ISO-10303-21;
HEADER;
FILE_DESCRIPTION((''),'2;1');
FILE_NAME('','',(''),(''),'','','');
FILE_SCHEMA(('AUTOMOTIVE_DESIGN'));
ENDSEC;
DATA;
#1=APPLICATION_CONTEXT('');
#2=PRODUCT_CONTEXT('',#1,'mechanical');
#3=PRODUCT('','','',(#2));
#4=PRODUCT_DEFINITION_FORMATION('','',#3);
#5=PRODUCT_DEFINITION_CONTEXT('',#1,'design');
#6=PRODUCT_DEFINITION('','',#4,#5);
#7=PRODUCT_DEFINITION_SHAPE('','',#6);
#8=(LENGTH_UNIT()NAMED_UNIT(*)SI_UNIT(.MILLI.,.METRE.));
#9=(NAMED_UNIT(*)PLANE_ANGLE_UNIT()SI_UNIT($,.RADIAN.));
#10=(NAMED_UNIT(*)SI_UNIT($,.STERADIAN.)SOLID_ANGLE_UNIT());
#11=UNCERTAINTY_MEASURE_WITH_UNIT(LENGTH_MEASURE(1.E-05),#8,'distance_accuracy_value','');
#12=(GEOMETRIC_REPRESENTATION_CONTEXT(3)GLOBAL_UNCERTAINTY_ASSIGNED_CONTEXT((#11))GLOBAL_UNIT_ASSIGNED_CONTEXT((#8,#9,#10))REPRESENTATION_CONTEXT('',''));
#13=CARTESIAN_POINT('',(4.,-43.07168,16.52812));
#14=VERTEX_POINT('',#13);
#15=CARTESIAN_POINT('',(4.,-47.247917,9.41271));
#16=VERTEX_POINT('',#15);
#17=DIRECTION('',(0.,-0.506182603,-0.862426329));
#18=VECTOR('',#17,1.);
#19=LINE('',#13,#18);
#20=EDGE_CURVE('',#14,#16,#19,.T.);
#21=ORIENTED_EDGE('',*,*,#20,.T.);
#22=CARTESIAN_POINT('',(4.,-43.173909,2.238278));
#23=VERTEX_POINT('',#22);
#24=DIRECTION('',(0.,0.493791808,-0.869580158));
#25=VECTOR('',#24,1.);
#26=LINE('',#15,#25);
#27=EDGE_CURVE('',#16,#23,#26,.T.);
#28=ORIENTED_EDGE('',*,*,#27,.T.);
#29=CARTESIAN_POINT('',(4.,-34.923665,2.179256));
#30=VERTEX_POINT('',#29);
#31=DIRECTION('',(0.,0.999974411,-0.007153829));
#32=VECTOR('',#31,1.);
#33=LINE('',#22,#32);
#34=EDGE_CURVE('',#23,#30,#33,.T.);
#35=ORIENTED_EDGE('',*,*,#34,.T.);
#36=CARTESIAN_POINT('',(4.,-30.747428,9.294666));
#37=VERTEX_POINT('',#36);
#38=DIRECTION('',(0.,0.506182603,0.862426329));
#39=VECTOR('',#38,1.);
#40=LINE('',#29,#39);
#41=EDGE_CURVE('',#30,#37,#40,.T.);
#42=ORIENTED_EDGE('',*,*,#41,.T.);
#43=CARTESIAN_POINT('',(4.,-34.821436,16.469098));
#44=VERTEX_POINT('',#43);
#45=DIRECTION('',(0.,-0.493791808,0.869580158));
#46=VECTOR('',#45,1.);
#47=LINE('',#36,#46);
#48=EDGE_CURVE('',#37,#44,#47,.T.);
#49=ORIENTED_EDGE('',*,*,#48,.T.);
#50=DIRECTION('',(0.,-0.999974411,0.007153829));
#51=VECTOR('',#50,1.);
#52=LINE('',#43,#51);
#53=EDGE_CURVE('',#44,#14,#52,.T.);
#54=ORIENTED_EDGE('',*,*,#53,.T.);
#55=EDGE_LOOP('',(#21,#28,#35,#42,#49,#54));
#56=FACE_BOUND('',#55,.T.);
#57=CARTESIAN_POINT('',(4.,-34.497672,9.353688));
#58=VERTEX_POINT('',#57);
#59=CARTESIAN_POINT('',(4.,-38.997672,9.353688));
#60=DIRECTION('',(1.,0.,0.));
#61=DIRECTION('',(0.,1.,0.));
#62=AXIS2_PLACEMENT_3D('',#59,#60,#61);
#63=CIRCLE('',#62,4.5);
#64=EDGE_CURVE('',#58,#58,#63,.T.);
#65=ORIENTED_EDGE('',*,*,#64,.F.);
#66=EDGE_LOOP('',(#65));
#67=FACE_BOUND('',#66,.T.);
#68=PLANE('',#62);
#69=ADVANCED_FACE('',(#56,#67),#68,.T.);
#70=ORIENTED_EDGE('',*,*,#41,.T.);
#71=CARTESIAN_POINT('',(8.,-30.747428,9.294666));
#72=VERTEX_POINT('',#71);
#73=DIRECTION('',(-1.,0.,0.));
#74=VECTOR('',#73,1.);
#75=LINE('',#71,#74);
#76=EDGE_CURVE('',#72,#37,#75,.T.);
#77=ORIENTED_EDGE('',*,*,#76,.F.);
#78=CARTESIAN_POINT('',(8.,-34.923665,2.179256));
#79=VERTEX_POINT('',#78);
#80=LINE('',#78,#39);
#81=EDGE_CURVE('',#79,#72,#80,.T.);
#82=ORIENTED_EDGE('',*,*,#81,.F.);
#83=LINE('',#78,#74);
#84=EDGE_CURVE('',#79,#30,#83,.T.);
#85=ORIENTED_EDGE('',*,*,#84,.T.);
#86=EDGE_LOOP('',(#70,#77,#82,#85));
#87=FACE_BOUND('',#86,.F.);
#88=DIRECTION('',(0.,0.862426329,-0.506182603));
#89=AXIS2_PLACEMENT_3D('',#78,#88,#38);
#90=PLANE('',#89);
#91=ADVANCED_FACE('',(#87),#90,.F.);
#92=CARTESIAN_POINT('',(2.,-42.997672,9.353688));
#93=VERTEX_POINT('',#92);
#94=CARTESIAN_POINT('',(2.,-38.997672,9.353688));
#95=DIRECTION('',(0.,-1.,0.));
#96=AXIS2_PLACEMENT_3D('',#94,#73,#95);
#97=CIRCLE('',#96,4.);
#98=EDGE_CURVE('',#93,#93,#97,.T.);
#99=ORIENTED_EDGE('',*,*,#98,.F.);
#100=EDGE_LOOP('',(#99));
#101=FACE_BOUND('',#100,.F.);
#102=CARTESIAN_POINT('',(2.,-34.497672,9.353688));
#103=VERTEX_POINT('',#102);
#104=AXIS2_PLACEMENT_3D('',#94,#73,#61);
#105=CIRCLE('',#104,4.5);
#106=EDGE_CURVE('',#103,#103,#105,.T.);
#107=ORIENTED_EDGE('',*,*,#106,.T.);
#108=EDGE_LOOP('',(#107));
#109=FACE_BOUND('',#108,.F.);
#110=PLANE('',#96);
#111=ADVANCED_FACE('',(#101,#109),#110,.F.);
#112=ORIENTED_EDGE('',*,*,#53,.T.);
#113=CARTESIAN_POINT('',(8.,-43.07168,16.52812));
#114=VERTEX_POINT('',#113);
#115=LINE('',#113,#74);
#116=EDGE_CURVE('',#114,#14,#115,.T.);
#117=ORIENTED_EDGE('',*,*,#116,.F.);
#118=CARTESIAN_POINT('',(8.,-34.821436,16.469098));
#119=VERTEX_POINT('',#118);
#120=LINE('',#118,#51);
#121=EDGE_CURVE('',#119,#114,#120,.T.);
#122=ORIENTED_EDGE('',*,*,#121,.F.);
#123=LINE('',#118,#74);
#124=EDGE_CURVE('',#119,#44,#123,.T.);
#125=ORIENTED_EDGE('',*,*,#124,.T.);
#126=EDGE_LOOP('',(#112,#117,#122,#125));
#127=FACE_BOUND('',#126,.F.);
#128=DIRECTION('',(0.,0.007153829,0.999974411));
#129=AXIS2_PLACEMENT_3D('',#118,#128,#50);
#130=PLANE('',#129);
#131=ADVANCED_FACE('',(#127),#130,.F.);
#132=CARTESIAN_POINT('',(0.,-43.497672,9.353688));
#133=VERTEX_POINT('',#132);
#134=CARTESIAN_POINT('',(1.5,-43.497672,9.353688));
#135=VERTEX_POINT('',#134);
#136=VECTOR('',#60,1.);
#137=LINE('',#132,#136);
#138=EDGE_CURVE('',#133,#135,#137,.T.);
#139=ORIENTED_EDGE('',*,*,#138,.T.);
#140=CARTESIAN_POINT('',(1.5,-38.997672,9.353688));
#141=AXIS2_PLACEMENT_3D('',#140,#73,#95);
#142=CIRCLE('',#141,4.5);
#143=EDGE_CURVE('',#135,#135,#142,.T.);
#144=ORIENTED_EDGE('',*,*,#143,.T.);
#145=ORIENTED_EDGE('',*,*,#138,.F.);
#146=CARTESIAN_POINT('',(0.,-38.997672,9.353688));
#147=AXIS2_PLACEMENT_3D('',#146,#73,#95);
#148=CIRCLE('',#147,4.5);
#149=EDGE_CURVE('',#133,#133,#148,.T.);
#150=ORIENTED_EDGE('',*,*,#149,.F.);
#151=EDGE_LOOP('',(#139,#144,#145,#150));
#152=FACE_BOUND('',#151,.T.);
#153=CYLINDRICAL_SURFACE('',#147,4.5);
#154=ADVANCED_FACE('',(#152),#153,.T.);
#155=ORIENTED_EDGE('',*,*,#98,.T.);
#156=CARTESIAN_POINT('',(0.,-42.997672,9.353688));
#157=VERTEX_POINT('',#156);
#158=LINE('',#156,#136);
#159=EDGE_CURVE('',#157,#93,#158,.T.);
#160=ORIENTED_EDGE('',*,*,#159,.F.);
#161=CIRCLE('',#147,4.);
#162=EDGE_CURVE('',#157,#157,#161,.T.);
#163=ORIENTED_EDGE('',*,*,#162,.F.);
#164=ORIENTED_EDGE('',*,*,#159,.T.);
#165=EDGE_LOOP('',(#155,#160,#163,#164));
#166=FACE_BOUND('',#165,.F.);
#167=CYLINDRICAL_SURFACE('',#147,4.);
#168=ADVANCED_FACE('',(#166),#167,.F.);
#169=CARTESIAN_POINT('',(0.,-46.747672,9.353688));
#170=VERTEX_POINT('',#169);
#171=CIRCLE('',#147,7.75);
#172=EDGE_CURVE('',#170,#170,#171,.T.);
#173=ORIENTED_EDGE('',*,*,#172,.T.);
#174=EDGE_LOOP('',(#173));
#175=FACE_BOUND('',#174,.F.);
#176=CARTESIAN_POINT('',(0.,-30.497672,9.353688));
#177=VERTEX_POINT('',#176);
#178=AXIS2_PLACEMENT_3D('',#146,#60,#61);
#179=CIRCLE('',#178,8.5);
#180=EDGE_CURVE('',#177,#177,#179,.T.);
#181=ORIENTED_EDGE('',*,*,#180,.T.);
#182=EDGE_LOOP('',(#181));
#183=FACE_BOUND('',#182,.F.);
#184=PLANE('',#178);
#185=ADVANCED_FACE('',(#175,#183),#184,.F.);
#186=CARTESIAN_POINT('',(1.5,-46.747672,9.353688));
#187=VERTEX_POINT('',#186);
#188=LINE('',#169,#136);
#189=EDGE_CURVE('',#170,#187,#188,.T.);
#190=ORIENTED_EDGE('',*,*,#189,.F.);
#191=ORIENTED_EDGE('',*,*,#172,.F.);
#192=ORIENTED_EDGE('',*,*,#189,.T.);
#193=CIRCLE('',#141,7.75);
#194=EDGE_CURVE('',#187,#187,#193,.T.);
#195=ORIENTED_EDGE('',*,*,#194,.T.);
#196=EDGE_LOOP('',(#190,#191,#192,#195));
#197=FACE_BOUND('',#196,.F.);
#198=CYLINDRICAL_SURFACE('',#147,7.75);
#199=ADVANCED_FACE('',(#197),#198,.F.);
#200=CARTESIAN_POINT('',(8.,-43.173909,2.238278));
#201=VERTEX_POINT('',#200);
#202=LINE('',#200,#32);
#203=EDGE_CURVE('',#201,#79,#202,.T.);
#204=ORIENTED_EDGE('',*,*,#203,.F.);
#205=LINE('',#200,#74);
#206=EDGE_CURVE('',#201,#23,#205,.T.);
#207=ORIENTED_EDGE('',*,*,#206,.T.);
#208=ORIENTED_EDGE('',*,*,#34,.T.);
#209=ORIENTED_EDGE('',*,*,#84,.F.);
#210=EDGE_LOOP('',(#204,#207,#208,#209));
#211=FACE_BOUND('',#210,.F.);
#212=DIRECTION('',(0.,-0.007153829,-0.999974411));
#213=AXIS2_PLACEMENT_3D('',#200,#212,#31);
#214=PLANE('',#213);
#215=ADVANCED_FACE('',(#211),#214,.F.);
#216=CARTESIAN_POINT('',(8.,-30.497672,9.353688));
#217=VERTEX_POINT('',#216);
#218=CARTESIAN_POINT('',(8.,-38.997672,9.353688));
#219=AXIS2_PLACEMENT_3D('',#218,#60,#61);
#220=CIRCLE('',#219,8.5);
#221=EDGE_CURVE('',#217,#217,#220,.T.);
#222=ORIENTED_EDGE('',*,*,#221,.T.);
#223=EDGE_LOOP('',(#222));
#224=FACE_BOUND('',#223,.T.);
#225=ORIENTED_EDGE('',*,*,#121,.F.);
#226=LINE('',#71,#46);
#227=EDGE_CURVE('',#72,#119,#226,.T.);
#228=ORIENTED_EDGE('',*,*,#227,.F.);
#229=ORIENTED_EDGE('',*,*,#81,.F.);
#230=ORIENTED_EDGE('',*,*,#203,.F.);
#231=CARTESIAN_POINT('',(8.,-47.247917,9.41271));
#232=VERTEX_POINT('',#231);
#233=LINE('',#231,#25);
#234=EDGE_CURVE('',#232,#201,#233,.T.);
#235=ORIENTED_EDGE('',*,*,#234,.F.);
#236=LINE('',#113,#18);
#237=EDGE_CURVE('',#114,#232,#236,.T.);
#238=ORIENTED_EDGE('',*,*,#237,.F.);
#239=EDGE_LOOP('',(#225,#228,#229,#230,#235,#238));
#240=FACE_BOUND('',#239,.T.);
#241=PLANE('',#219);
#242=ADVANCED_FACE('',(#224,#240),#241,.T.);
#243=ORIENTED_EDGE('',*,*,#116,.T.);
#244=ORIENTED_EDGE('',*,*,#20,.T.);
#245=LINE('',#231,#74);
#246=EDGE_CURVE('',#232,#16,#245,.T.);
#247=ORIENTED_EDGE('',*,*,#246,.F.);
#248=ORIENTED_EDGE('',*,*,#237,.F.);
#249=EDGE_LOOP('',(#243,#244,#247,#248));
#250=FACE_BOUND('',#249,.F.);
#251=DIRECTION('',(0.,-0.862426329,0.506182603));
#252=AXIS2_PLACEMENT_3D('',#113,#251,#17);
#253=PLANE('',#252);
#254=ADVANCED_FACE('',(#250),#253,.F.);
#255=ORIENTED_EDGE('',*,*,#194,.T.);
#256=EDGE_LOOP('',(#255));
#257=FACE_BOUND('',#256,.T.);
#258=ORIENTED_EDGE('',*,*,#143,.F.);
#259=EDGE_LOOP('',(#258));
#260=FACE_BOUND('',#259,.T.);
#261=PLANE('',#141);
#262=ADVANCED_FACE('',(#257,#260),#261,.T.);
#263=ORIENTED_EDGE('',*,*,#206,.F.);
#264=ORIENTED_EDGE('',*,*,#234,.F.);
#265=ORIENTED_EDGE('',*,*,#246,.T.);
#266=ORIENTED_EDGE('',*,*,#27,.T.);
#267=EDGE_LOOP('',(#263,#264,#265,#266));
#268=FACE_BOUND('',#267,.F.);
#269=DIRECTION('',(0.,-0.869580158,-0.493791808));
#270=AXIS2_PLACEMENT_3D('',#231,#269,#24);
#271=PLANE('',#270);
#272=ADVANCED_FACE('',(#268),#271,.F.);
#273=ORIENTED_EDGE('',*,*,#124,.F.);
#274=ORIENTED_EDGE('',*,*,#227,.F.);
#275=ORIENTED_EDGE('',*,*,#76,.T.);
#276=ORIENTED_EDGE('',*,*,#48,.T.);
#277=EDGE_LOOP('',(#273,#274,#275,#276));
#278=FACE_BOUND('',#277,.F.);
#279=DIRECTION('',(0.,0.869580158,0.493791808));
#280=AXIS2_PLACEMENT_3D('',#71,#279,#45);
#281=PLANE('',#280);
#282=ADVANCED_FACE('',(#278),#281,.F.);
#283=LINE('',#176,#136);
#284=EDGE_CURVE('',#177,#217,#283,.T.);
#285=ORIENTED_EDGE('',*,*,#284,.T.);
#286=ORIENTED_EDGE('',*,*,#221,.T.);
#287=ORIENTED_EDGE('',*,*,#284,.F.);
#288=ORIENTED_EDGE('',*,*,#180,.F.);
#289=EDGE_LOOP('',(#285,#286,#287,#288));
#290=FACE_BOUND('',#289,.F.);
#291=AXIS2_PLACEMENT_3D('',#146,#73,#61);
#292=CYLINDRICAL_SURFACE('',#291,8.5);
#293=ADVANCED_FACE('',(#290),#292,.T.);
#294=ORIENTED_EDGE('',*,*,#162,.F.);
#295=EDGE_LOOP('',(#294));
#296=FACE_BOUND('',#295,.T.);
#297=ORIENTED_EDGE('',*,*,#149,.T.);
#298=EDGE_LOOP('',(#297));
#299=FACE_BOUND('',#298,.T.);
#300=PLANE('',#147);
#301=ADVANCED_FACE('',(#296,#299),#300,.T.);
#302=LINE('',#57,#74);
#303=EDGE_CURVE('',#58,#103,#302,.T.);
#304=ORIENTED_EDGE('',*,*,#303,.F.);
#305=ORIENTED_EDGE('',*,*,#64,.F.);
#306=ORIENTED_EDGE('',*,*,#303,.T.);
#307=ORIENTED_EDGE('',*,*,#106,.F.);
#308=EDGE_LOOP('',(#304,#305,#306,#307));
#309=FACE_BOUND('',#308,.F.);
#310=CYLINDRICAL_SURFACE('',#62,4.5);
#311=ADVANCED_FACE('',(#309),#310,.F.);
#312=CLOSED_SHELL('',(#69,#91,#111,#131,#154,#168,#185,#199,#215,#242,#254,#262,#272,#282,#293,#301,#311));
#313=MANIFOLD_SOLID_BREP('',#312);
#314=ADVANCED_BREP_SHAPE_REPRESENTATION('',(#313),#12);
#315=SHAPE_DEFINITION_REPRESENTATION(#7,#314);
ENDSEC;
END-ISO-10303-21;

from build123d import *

# Parameters (mm, degrees)
F0_R      = 8.5
F1_DEPTH  = 8
F3_DEPTH  = 4
F4_R      = 7.75
F5_DEPTH  = 1.5
F7_R      = 4.5
F8_DEPTH  = 25
F6_R      = 4.5
F9_DEPTH  = 2
F10_R     = 4
F11_DEPTH = 10


with BuildPart() as f1:
    # F0 (on Right) → F1 (new body)
    with BuildSketch(Plane.YZ):
        with Locations((-38.9976724982, 9.3536879867)):
            Circle(F0_R)
    extrude(amount=F1_DEPTH)

    # F2 (on face) → F3 (cut)
    with BuildSketch(Plane.YZ.offset(8)):
        Polygon((-34.8214355244, 16.4690979189), (-43.0716797709, 16.5281202644), (-47.2479167448, 9.4127103322), (-43.1739094721, 2.2382780545), (-34.9236652255, 2.1792557091), (-30.7474282517, 9.2946656413), align=None)
    extrude(amount=-F3_DEPTH, mode=Mode.SUBTRACT)

    # F4 (on face) → F5 (cut)
    with BuildSketch(Plane(origin=(0, 0, 0), x_dir=(0, -1, 0), z_dir=(-1, 0, 0))):
        with Locations((38.9976724982, 9.3536879867)):
            Circle(F4_R)
    extrude(amount=-F5_DEPTH, mode=Mode.SUBTRACT)

    # F7 (on face) → F8 (cut)
    with BuildSketch(Plane.YZ.offset(4)):
        with Locations((-38.9976724982, 9.3536879867)):
            Circle(F7_R)
    extrude(amount=-F8_DEPTH, mode=Mode.SUBTRACT)

    # F6 (on face) → F9 (join)
    with BuildSketch(Plane(origin=(0, 0, 0), x_dir=(0, -1, 0), z_dir=(-1, 0, 0))):
        with Locations((38.9976724982, 9.3536879867)):
            Circle(F6_R)
    extrude(amount=-F9_DEPTH)

    # F10 (on face) → F11 (cut)
    with BuildSketch(Plane(origin=(0, 0, 0), x_dir=(0, -1, 0), z_dir=(-1, 0, 0))):
        with Locations((38.9976724982, 9.3536879867)):
            Circle(F10_R)
    extrude(amount=-F11_DEPTH, mode=Mode.SUBTRACT)


solid = f1.part
